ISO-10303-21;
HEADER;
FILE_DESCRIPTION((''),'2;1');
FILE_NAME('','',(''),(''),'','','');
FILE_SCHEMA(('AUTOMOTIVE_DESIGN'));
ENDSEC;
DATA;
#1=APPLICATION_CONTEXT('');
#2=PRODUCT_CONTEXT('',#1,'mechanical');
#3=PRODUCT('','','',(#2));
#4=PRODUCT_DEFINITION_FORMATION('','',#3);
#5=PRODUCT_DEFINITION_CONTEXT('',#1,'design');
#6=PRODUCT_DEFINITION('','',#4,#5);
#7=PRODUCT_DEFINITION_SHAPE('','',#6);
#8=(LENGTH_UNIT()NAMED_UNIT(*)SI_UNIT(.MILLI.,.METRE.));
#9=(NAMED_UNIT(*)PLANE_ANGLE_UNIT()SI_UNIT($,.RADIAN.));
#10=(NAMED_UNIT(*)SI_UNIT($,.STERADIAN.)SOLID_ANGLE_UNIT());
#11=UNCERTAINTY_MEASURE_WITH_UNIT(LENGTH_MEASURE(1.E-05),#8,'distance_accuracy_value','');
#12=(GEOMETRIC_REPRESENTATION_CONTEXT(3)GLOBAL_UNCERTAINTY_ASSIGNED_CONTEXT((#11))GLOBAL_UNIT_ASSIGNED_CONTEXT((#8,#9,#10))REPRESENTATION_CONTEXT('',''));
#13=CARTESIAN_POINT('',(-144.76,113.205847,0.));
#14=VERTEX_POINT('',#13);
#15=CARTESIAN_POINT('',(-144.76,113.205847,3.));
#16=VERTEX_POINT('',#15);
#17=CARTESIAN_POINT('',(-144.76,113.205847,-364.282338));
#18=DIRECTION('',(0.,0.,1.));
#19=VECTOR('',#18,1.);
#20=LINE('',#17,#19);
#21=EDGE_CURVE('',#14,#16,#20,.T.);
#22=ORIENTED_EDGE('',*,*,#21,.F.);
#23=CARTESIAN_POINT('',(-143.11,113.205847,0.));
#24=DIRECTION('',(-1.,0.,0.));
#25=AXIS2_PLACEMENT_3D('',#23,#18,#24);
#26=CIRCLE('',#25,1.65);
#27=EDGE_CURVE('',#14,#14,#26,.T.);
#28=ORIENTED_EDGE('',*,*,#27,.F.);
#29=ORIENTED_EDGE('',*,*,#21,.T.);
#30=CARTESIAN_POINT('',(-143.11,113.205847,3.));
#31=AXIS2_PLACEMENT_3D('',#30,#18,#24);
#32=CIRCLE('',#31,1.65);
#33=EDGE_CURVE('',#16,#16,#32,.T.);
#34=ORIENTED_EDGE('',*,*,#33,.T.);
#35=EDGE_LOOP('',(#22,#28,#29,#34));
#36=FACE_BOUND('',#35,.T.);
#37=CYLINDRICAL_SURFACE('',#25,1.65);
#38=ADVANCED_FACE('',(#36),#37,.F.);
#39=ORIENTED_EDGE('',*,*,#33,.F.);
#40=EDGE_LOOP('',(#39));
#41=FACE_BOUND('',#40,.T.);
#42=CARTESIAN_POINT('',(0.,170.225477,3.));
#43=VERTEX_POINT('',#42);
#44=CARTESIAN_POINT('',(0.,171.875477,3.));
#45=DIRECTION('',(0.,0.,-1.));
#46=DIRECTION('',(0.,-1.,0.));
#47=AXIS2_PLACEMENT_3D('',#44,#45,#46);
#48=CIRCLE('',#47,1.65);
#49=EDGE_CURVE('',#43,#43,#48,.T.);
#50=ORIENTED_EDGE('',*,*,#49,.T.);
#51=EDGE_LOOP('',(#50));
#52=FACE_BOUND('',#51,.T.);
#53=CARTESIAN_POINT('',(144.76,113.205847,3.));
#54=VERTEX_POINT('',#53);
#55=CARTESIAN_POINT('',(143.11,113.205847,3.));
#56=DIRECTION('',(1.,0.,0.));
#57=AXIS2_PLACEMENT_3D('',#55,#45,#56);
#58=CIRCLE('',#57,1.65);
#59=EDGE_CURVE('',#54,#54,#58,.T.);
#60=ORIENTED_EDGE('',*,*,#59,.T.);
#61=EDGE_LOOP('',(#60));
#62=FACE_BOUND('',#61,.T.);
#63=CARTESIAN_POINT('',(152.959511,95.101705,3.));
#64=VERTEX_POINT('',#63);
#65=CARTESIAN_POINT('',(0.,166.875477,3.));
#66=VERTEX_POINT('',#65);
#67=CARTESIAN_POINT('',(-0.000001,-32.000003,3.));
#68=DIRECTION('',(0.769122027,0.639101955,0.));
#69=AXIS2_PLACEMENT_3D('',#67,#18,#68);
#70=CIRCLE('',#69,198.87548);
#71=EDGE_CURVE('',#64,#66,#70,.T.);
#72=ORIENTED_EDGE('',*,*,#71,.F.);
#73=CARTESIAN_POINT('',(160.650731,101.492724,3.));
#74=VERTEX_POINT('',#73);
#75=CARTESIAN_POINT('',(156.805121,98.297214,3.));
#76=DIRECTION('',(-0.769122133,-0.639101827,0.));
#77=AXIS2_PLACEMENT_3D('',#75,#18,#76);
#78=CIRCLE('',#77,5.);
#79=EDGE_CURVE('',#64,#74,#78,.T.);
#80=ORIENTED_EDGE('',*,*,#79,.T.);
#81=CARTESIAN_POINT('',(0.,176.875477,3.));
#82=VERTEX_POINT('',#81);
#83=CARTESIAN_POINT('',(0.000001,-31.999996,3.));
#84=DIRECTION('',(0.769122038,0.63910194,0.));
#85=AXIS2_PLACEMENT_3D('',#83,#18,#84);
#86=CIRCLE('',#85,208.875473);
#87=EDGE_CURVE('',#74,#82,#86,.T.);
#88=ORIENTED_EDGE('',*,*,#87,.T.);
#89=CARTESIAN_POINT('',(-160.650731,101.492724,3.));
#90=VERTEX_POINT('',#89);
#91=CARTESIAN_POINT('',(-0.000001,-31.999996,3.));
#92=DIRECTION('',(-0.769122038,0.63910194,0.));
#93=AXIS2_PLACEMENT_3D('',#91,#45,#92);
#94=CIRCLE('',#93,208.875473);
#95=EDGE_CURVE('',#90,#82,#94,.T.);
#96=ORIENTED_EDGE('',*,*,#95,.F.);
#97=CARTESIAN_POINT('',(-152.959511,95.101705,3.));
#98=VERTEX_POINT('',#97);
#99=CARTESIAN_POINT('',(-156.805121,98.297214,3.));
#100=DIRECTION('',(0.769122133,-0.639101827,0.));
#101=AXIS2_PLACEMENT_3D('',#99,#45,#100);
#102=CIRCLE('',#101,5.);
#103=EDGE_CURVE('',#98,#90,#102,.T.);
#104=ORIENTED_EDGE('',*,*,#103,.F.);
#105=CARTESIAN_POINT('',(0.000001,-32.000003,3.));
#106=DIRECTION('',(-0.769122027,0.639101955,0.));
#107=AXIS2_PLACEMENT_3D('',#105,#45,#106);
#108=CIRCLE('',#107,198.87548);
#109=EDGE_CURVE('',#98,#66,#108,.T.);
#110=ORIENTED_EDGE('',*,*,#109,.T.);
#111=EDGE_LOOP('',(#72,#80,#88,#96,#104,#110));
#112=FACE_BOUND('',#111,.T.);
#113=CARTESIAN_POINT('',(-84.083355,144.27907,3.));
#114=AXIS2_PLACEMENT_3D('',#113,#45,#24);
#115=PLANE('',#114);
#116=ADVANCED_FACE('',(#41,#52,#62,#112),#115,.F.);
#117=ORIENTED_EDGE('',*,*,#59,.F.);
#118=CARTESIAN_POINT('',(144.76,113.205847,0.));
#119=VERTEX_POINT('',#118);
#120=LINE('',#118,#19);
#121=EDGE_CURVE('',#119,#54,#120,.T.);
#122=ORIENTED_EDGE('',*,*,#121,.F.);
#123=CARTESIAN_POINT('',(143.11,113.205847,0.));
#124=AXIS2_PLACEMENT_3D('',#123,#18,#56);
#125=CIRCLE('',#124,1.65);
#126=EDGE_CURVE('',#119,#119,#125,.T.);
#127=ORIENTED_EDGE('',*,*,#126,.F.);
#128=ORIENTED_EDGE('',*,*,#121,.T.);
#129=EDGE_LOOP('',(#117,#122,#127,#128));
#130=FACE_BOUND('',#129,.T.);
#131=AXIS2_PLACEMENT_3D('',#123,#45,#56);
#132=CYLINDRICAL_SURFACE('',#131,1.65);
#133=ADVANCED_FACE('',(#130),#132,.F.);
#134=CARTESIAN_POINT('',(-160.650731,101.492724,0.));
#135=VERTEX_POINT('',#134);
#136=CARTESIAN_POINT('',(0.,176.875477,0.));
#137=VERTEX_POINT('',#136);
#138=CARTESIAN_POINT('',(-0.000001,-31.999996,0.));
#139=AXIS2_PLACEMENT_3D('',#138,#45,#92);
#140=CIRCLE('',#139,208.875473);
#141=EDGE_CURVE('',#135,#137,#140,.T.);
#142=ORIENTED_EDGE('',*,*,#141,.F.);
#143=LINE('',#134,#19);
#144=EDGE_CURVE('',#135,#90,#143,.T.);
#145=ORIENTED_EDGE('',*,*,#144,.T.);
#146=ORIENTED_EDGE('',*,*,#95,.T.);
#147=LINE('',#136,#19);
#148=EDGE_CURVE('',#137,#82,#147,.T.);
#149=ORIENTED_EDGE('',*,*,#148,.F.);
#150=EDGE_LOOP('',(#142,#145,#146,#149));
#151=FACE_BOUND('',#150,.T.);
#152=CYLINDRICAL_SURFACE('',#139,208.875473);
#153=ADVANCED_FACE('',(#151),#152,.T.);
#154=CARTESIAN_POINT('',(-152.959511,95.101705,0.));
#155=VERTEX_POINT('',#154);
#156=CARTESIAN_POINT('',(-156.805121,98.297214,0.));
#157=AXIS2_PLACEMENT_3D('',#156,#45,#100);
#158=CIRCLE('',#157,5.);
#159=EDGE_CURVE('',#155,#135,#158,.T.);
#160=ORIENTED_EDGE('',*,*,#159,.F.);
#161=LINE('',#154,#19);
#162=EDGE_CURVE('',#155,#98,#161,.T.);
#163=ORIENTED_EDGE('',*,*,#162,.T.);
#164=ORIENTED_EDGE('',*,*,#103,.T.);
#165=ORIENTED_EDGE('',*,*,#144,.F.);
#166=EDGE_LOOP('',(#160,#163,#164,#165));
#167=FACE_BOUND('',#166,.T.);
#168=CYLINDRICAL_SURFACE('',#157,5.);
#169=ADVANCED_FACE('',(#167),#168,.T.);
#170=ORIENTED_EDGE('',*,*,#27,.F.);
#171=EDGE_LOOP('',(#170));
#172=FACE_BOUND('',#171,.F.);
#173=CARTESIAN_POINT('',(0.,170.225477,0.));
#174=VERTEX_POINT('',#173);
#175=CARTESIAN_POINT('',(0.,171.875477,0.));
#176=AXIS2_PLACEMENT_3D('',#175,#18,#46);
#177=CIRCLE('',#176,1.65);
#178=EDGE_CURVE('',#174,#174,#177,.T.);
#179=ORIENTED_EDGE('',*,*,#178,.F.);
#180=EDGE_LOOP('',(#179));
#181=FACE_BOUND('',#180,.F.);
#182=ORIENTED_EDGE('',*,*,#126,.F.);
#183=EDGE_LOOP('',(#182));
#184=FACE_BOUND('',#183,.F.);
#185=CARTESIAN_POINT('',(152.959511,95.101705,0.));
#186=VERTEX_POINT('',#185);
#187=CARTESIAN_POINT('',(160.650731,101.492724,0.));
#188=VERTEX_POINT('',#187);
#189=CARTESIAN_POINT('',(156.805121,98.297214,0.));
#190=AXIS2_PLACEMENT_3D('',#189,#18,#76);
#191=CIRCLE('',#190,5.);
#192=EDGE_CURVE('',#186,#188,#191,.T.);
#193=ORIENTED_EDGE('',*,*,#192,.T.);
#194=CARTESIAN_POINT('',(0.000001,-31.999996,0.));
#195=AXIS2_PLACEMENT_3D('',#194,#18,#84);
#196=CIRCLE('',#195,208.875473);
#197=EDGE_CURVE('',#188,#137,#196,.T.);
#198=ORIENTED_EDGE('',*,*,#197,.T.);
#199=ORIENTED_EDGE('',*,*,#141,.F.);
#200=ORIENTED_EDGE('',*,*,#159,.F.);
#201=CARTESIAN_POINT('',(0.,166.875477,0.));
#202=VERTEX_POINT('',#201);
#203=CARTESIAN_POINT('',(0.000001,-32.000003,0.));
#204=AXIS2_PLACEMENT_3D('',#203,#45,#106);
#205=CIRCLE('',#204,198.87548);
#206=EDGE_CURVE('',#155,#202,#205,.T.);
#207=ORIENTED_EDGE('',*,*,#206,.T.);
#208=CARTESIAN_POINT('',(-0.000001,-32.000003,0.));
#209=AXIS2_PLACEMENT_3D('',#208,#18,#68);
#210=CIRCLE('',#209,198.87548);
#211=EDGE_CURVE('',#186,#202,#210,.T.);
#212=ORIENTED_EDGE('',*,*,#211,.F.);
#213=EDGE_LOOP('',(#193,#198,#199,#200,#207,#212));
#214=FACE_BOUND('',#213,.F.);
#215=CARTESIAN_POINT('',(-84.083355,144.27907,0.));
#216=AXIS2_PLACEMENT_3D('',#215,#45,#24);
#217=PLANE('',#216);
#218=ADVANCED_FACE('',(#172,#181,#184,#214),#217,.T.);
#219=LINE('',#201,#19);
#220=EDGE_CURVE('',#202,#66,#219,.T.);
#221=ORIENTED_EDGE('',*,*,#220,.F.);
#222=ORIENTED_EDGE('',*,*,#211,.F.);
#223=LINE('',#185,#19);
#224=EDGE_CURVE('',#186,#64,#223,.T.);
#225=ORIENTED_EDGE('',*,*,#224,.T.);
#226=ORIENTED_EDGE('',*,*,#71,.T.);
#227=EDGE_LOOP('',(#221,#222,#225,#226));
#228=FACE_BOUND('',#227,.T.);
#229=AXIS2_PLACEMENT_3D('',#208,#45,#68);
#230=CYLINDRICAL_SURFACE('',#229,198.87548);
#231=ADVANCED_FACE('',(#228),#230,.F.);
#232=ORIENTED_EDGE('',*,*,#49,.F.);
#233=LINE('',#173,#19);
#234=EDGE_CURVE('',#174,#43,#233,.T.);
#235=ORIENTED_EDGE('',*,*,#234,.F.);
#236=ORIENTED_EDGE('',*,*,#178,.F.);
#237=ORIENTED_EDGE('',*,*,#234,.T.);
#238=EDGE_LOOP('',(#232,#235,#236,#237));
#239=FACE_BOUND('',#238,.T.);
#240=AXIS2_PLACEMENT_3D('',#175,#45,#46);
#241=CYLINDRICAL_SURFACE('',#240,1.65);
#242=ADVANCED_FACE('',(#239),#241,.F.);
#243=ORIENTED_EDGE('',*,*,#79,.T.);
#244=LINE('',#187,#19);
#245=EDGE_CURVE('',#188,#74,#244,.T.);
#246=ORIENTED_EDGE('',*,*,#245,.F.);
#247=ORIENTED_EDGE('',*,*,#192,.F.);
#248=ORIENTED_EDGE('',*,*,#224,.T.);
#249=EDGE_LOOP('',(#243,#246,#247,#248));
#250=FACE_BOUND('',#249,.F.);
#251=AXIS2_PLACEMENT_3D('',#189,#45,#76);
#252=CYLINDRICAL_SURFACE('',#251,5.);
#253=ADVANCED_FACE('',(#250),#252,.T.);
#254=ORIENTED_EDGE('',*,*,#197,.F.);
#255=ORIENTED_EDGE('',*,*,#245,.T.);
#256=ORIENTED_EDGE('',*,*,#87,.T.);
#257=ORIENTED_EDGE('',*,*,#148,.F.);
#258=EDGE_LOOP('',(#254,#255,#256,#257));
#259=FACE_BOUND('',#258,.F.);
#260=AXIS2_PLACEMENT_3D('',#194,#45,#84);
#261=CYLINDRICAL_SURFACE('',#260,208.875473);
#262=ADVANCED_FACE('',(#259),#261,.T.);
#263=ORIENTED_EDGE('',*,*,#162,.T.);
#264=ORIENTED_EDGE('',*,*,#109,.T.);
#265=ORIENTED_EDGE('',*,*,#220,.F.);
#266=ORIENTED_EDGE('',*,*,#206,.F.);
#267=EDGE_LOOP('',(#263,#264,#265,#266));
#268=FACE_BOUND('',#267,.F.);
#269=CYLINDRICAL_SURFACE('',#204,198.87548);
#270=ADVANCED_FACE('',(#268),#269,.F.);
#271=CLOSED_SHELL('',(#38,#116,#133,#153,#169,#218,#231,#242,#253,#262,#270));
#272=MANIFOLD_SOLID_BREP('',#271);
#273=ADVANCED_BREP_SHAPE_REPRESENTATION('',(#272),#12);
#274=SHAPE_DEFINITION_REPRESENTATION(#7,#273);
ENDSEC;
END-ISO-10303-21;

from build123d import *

# Parameters (mm, degrees)
PAD014_DEPTH                        = 3
SKETCH055_R                         = 1.65
POCKET019_DEPTH                     = 364.282338
POCKET019_DEPTH_BACK                = 367.282338
BODY001003005003003_PLACEMENT_ANGLE = 60
CLONE022_PLACEMENT_ANGLE            = 60


with BuildPart() as part:
    # Sketch052 → Pad014 (new body)
    with BuildSketch(Plane.XY):
        with BuildLine():
            ThreePointArc((152.959511, 127.101705), (84.480895, 180.040089), (0, 198.875477))
            Line((0, 198.875477), (0, 208.875477))
            ThreePointArc((160.650731, 133.492724), (88.728824, 189.092995), (0, 208.875477))
            ThreePointArc((152.959511, 127.101705), (160.000631, 126.451604), (160.650731, 133.492724))
        make_face()
    pad014 = extrude(amount=PAD014_DEPTH)

    # Sketch055 → Pocket019 (cut, two sides)
    with BuildSketch(Plane.XY) as pocket019_sk:
        with Locations((143.11, 145.205847)):
            Circle(SKETCH055_R)
        with BuildLine():
            Line((0, 202.225477), (0, 205.525477))
            ThreePointArc((0, 202.225477), (1.65, 203.875477), (0, 205.525477))
        make_face()
    pocket019 = extrude(amount=-POCKET019_DEPTH, mode=Mode.SUBTRACT) + extrude(pocket019_sk.sketch, amount=POCKET019_DEPTH_BACK, mode=Mode.SUBTRACT)

    # Mirrored019: Pad014, Pocket019 across Sketch052 V_Axis
    add(pad014.mirror(Plane(origin=(0, 0, 0), x_dir=(0, 0, 1), z_dir=(1, 0, 0))))
    add(pocket019.mirror(Plane(origin=(0, 0, 0), x_dir=(0, 0, 1), z_dir=(1, 0, 0))), mode=Mode.SUBTRACT)


with BuildPart() as part_1:
    # Body001003005003003 placement: moved
    add(part.part.rotate(Axis((0, 0, 0), (0, 0, 1)), BODY001003005003003_PLACEMENT_ANGLE))


with BuildPart() as part_2:
    # Clone022 placement: moved
    add(part_1.part.moved(Location((0, -32, 0))).rotate(Axis((0, -32, 0), (0, 0, -1)), CLONE022_PLACEMENT_ANGLE))


solid = part_2.part
